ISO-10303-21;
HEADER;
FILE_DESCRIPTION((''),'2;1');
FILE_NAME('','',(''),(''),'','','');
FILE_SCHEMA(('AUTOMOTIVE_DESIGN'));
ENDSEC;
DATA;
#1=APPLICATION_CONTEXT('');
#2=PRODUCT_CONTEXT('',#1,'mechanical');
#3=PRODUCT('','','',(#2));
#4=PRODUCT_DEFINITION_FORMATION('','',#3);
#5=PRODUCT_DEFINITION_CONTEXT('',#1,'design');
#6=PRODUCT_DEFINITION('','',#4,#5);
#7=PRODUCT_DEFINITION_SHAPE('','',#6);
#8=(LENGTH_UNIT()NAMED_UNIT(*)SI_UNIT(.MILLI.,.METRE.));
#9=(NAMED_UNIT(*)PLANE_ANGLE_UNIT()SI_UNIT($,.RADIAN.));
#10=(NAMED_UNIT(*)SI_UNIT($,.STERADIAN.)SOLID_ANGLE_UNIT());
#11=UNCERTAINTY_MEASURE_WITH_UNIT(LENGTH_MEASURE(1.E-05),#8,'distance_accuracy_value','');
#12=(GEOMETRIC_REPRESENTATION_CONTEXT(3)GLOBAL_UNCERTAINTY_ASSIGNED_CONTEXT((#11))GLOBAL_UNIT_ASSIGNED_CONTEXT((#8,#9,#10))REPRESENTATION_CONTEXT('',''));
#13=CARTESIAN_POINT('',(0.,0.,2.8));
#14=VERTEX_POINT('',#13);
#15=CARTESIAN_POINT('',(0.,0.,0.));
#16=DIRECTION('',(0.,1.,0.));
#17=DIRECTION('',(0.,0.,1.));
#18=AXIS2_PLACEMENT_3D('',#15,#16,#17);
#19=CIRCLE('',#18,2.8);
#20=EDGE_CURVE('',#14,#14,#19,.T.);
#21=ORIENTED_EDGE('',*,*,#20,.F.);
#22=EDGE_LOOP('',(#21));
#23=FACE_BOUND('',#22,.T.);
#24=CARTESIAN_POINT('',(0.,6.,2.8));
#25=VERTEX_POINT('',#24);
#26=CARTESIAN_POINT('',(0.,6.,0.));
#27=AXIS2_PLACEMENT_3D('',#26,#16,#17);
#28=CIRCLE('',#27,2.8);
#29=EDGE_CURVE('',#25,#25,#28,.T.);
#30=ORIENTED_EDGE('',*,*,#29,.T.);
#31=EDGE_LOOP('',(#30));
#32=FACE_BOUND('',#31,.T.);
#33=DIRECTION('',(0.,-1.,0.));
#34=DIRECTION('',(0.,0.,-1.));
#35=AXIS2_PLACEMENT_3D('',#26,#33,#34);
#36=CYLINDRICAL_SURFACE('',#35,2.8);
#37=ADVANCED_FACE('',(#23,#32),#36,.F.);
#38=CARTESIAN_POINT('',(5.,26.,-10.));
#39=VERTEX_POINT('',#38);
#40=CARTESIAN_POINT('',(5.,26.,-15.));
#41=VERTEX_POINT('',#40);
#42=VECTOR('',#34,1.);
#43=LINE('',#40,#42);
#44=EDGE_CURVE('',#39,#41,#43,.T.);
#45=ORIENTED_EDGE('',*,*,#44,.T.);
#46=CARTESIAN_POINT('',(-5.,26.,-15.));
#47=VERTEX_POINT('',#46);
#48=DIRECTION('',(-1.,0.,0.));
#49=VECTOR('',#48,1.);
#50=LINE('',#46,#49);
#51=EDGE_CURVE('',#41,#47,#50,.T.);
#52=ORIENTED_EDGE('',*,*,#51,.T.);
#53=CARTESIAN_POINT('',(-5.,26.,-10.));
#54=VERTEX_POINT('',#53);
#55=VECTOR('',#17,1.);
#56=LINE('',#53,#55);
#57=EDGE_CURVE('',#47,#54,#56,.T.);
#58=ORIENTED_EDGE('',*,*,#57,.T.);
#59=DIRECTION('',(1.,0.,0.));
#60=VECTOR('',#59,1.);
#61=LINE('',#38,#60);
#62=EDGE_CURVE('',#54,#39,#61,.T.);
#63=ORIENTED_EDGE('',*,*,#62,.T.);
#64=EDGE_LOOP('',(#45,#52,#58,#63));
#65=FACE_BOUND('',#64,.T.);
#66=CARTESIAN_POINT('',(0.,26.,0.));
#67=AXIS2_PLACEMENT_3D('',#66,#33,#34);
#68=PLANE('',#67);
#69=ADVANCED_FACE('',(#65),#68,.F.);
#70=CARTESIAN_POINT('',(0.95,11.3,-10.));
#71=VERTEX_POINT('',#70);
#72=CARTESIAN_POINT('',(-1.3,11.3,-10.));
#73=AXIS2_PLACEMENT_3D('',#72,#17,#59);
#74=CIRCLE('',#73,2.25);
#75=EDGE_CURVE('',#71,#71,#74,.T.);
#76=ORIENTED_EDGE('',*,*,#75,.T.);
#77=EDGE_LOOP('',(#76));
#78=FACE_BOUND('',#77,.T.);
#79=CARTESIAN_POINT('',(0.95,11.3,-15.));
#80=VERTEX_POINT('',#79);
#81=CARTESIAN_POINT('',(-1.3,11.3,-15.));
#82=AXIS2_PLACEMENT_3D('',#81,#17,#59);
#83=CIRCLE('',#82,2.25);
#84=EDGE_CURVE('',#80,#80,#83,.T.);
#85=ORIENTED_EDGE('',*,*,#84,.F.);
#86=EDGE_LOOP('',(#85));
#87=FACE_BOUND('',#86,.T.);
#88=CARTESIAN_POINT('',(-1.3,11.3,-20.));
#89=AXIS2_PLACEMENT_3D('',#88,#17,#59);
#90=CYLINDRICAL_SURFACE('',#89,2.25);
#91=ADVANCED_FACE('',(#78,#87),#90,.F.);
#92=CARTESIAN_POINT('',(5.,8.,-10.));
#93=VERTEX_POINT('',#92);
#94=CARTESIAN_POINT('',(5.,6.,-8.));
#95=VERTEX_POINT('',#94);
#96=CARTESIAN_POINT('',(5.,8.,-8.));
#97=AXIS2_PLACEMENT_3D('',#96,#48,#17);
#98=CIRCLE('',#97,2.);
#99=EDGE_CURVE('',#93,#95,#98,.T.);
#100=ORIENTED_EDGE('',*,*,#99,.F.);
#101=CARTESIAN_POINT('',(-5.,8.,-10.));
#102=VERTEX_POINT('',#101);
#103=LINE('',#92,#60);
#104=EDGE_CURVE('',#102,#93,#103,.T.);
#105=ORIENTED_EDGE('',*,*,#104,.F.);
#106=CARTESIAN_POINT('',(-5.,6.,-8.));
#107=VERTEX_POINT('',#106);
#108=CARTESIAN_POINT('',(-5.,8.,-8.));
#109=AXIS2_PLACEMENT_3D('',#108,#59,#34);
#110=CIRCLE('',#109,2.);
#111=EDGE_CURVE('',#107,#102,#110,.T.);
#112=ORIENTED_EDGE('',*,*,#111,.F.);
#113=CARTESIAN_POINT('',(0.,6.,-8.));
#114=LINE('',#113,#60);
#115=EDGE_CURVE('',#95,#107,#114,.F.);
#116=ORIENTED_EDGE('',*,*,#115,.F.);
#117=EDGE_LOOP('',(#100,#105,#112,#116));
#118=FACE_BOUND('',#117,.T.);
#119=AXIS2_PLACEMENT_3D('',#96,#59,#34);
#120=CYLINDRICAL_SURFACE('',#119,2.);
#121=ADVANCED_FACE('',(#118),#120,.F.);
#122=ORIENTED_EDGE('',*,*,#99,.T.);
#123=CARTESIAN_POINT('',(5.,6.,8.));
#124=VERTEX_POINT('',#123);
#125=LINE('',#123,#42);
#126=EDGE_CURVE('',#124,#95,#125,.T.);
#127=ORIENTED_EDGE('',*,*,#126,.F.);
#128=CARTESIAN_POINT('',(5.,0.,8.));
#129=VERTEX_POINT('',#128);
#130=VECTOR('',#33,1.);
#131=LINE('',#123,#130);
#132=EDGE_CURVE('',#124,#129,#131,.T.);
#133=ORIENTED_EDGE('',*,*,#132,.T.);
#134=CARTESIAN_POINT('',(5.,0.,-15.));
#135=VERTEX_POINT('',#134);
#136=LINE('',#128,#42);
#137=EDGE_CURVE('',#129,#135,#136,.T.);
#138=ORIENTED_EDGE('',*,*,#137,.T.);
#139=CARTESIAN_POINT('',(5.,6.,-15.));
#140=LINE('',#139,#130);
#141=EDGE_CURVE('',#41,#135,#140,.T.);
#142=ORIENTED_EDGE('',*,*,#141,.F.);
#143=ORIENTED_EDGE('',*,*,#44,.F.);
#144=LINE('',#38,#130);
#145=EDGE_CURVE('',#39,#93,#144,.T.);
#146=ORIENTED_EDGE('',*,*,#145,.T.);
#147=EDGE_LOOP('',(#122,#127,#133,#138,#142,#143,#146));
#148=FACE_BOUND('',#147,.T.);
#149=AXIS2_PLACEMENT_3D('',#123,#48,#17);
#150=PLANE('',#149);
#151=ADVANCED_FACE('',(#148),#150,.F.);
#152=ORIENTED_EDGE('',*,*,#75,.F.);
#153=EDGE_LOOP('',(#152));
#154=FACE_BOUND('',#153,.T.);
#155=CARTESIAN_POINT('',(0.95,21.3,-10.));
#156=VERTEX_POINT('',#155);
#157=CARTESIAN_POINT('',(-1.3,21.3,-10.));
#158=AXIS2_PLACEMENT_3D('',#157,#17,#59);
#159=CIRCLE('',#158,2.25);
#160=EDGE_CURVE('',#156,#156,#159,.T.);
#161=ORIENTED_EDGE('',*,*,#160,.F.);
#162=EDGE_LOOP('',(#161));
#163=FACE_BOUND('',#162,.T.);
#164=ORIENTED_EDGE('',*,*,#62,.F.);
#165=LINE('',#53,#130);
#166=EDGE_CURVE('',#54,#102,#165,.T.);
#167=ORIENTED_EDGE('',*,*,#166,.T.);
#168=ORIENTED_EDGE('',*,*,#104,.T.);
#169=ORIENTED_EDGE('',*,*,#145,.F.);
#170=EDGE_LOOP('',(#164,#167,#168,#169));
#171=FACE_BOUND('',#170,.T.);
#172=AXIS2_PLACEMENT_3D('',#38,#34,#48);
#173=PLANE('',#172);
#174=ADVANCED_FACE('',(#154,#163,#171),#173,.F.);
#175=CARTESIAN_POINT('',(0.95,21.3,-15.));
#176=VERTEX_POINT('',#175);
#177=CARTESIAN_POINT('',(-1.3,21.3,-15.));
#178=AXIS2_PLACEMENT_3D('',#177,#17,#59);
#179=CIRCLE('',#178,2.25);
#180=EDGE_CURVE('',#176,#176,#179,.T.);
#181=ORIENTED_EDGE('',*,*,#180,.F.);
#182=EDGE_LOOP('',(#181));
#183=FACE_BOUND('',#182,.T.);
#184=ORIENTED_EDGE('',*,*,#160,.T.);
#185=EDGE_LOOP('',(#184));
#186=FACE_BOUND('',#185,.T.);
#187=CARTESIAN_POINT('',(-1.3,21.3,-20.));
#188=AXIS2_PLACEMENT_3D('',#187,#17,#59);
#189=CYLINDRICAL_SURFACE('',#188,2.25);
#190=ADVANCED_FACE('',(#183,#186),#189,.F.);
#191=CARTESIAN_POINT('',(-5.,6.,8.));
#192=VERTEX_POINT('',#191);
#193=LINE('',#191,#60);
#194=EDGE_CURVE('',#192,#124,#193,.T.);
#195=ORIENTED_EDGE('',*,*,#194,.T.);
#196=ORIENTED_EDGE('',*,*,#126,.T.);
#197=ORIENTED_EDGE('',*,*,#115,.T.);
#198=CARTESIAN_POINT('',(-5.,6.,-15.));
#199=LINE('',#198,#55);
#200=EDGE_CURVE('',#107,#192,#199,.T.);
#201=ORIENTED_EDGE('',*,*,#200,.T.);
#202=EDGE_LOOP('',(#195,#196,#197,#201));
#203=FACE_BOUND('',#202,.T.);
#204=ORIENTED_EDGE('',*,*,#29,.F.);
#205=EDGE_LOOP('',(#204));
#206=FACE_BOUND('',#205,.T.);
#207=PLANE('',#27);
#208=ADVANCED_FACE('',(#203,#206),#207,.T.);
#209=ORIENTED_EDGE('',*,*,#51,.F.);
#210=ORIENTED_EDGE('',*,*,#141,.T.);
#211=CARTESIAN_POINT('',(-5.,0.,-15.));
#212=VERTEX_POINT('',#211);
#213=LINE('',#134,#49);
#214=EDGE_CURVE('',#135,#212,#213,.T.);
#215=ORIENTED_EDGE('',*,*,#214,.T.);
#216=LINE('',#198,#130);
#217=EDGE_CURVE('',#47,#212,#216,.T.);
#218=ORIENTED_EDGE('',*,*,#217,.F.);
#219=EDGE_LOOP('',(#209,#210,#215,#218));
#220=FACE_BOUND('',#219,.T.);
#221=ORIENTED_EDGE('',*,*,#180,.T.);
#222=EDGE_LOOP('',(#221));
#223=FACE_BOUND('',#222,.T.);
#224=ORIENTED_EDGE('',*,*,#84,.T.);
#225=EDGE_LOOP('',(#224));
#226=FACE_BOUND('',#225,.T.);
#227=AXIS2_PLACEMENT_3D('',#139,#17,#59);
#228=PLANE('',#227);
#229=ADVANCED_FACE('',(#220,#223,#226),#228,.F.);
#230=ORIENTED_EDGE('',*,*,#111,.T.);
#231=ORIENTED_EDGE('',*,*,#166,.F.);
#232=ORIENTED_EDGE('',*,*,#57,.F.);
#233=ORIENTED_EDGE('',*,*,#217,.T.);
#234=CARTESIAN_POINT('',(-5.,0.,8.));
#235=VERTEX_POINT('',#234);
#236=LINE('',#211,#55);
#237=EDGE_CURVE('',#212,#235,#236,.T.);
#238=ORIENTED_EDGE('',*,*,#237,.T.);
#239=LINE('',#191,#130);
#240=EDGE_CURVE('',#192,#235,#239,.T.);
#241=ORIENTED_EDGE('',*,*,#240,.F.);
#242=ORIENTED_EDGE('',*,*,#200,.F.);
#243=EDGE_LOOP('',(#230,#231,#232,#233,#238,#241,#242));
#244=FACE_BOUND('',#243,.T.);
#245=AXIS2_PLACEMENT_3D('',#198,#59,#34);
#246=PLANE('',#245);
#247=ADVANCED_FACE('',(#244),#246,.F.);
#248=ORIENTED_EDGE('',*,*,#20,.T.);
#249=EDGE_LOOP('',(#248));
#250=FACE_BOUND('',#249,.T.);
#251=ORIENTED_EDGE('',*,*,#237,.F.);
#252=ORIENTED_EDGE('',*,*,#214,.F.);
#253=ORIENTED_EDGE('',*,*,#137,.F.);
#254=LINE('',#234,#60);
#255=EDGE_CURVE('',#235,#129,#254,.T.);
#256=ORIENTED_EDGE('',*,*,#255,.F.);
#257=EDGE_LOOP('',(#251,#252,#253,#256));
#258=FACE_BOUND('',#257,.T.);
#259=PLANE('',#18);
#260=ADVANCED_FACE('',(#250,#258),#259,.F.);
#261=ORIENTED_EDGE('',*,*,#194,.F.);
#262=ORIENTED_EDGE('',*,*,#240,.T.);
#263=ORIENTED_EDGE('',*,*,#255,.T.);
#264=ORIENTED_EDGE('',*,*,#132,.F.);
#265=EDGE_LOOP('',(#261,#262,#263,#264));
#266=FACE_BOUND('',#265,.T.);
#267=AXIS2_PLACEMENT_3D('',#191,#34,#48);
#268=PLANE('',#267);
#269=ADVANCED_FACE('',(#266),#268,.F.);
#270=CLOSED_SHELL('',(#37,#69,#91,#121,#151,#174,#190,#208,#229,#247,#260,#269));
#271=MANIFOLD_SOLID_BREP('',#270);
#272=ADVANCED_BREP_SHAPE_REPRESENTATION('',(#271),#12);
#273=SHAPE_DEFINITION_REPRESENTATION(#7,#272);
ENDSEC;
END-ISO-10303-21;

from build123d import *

# Parameters (mm, degrees)
SKETCH1_W           = 10
SKETCH1_H           = 23
SKETCH1_R           = 2.8
BOSS_EXTRUDE1_DEPTH = 6
SKETCH2_W           = 10
SKETCH2_H           = 5
BOSS_EXTRUDE2_DEPTH = 20
SKETCH4_R           = 2.25
CUT_EXTRUDE1_DEPTH  = 10
FILLET1_R           = 2


with BuildPart() as part:
    # Sketch1 → Boss-Extrude1 (new body)
    with BuildSketch(Plane(origin=(0, 0, 0), x_dir=(1, 0, 0), z_dir=(0, 1, 0))):
        with Locations((0, 3.5)):
            Rectangle(SKETCH1_W, SKETCH1_H)
        with Locations(Location((0, 0, 0), (0, 0, 270))):
            Circle(SKETCH1_R, mode=Mode.SUBTRACT)
    extrude(amount=BOSS_EXTRUDE1_DEPTH)

    # Sketch2 → Boss-Extrude2 (add)
    with BuildSketch(Plane(origin=(0, 6, 0), x_dir=(1, 0, 0), z_dir=(0, 1, 0))):
        with Locations((0, 12.5)):
            Rectangle(SKETCH2_W, SKETCH2_H)
    extrude(amount=BOSS_EXTRUDE2_DEPTH)

    # Sketch4 → Cut-Extrude1 (cut)
    with BuildSketch(Plane.XY.offset(-10)):
        with Locations((-1.3, 11.3)):
            Circle(SKETCH4_R)
        with Locations((-1.3, 21.3)):
            Circle(SKETCH4_R)
    extrude(amount=-CUT_EXTRUDE1_DEPTH, mode=Mode.SUBTRACT)

    # Fillet1
    fillet1_edges = [part.edges().sort_by_distance(p)[0] for p in [
        (0, 6, -10),
    ]]
    fillet(fillet1_edges, radius=FILLET1_R)


solid = part.part
